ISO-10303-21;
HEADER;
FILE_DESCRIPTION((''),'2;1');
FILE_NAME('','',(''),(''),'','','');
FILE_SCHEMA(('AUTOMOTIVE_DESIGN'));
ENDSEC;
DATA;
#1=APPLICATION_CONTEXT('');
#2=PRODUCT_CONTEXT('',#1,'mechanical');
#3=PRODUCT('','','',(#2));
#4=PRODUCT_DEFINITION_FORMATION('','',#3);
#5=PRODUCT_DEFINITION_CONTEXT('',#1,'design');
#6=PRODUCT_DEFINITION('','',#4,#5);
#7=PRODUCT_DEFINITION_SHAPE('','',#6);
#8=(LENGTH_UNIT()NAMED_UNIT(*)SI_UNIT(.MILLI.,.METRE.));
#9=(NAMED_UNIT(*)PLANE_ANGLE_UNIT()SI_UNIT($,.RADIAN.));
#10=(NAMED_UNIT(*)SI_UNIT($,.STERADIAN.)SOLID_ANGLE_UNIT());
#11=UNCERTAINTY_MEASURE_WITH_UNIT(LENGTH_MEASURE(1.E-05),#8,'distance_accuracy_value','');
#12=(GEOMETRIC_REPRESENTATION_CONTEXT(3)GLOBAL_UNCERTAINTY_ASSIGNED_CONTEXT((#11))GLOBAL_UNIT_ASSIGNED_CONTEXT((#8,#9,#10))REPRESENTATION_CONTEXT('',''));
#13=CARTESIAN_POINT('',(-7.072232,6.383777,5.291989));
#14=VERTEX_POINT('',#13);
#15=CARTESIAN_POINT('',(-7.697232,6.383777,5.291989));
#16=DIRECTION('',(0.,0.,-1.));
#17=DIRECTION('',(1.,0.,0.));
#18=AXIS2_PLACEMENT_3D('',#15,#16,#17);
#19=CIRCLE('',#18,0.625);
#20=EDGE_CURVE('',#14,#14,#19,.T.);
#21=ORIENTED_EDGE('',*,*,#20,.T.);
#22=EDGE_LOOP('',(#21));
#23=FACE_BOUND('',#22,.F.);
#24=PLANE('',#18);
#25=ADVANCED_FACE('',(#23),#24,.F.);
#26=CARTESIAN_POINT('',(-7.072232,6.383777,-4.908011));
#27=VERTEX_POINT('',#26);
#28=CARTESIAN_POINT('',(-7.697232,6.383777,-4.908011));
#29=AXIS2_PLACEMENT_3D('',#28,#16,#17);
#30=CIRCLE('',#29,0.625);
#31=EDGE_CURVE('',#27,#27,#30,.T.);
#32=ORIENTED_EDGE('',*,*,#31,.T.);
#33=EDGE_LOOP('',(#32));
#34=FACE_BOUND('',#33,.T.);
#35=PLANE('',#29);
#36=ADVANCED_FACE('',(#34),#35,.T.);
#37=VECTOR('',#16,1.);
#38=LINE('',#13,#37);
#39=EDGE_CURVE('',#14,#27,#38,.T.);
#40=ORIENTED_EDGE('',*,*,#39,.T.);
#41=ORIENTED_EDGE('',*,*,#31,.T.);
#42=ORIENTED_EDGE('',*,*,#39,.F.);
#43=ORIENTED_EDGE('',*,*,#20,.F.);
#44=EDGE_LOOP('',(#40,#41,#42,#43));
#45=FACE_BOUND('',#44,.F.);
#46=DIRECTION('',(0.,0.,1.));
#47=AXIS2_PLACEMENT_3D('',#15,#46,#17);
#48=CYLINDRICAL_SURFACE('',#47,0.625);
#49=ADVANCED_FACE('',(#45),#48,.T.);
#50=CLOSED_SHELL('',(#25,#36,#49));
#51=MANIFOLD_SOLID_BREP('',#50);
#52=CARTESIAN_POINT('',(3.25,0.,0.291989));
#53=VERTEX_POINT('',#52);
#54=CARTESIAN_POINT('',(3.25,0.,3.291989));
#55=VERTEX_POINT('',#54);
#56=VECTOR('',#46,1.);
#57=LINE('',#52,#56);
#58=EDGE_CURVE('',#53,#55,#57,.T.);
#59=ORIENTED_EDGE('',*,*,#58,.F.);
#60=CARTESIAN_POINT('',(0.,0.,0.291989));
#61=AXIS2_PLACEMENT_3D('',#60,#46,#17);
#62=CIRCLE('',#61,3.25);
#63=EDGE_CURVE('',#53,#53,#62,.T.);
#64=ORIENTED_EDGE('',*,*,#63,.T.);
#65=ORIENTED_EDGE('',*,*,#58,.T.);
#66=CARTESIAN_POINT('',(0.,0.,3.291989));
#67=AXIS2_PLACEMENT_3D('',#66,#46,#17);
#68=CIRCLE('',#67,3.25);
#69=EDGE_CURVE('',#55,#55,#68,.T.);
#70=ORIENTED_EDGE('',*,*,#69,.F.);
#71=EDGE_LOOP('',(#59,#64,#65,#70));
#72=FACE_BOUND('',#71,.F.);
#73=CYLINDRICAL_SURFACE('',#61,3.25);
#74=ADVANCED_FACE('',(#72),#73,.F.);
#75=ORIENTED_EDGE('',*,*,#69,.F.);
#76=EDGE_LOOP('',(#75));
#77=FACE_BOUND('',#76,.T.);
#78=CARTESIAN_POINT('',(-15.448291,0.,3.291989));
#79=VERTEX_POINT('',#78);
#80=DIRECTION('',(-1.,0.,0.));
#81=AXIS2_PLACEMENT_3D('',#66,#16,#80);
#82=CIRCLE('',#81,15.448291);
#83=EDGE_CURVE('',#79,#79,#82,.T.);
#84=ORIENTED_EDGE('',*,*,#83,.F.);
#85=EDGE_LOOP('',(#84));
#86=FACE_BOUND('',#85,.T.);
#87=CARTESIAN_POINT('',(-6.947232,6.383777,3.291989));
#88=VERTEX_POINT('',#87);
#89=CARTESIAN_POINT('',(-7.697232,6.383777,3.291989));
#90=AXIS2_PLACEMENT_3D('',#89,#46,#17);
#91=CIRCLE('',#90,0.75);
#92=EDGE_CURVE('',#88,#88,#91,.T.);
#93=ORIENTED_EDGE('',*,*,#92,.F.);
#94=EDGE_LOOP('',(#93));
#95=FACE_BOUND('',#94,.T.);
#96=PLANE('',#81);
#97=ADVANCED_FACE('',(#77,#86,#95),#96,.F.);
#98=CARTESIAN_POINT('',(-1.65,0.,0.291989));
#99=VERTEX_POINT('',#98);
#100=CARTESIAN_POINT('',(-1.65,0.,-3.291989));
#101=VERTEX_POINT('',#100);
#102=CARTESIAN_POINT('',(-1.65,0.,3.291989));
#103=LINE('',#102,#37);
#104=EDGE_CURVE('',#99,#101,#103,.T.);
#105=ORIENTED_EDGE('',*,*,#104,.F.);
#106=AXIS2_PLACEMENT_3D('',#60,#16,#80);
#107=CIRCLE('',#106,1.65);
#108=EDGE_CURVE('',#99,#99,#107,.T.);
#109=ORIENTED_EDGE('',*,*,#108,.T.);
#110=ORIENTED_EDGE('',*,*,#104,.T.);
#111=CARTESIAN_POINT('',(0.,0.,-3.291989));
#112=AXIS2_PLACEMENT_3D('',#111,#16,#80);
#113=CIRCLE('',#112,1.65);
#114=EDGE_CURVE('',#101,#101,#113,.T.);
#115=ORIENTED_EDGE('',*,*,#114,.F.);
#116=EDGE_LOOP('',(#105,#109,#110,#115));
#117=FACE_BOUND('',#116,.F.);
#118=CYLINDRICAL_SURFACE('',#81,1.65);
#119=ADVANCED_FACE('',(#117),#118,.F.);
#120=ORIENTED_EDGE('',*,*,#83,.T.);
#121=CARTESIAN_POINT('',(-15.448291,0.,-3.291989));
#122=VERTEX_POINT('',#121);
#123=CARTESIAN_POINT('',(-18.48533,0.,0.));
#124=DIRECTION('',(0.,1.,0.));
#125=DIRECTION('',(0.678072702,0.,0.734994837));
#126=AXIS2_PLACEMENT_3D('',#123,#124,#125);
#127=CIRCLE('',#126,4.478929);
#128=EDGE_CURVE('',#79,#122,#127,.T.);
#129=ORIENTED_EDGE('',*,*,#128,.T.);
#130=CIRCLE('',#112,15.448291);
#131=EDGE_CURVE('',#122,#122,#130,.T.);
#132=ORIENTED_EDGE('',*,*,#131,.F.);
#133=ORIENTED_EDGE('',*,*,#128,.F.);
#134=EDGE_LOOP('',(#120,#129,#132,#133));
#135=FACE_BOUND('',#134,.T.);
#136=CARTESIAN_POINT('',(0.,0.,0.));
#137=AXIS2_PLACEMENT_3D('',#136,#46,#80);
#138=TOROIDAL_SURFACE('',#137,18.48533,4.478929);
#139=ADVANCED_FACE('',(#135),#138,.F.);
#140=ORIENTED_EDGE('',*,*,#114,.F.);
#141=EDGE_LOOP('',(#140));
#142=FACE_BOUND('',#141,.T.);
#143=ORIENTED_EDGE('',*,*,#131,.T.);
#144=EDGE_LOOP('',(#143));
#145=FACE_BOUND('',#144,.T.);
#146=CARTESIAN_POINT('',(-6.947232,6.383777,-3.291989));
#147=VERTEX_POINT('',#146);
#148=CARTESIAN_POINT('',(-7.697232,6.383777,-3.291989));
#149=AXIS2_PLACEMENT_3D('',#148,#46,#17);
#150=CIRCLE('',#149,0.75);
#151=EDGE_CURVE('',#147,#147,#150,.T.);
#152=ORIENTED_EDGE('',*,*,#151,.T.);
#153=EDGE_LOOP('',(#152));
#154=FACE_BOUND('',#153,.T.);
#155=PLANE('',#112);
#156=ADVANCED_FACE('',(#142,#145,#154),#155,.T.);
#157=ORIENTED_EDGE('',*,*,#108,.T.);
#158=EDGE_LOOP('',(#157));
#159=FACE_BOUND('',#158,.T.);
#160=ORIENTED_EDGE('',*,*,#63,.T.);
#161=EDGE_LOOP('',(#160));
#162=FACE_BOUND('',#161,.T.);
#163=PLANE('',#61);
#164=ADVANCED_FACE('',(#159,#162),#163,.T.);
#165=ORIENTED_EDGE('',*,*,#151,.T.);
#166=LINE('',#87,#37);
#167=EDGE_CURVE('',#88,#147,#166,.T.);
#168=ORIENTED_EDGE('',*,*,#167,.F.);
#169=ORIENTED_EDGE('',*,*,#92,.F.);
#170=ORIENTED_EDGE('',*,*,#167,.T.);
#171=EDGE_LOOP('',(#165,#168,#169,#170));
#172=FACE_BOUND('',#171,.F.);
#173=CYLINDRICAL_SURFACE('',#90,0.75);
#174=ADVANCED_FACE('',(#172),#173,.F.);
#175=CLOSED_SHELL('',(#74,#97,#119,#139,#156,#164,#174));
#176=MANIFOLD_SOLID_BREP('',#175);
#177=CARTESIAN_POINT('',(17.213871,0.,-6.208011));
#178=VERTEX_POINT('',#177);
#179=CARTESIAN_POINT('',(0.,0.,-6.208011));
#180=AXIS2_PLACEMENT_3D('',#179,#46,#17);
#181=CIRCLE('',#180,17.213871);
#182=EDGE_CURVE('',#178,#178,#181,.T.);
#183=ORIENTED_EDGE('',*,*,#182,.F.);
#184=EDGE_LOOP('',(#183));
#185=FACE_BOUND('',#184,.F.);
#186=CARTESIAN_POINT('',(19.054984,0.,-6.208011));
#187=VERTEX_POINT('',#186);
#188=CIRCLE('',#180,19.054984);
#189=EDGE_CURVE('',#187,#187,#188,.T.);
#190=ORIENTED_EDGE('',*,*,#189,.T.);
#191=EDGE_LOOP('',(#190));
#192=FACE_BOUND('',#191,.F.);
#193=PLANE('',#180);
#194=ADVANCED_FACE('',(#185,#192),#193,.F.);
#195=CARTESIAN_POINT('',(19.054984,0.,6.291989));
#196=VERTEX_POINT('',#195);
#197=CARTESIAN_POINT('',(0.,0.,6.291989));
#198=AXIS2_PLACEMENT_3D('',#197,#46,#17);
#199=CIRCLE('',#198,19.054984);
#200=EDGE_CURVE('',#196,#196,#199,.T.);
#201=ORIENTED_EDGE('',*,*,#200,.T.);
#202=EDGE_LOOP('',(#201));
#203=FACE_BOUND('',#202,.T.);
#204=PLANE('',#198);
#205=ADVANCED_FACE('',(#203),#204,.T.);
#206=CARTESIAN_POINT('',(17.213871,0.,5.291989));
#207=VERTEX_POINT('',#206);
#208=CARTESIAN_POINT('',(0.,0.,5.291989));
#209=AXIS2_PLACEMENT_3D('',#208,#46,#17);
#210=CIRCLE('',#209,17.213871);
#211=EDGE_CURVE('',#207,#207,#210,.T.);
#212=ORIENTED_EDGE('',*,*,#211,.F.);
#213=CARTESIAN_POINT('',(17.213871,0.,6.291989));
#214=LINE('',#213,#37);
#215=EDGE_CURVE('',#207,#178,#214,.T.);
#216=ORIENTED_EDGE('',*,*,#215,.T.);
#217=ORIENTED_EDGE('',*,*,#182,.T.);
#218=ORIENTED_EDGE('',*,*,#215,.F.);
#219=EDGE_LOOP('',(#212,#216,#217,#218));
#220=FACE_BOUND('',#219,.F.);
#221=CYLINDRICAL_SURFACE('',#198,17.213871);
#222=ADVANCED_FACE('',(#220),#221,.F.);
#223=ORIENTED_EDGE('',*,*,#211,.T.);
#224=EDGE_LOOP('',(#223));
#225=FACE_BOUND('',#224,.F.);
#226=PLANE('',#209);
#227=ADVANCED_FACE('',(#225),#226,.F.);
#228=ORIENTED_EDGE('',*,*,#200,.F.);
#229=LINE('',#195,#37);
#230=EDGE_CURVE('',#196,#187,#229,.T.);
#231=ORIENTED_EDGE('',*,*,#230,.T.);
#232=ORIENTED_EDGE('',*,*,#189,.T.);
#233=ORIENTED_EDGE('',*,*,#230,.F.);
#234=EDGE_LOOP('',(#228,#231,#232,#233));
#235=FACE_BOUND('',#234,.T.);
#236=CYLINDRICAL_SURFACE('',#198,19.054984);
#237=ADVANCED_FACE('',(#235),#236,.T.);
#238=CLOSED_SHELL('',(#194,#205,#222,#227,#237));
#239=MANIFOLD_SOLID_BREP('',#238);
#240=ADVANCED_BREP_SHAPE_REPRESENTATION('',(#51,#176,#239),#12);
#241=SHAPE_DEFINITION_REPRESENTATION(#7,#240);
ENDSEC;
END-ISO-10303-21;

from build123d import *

# Parameters (mm, degrees)
F4_D           = 3.3
F4_CBORE_D     = 6.5
F4_CBORE_DEPTH = 3
F3_R           = 0.75
F5_DEPTH       = 25
F7_R           = 19.0549841128
F7_R_2         = 17.2138714766
F8_DEPTH       = 12.5
F9_DEPTH       = 1
F11_R          = 0.625
F12_DEPTH      = 10.2


with BuildPart() as f1:
    # F0 (on Front) → F1 (revolve)
    with BuildSketch(Plane.XZ):
        with BuildLine():
            ThreePointArc((-15.4482908223, 3.2919894022), (-14.0064014383, 0), (-15.4482908223, -3.2919894022))
            Line((-15.4482908223, -3.2919894022), (0, -3.2919894022))
            Line((0, -3.2919894022), (0, 3.2919894022))
            Line((0, 3.2919894022), (-15.4482908223, 3.2919894022))
        make_face()
    revolve(axis=Axis((0, 0, 0), (0, 0, -1)))

    # F4 (through all)
    with Locations(Plane.XY.offset(3.2919894022)):
        with Locations((0, 0)):
            CounterBoreHole(F4_D / 2, F4_CBORE_D / 2, F4_CBORE_DEPTH)

    # F3 (on offset) → F5 (cut)
    with BuildSketch(Plane.XY.offset(3.2919894022)):
        with Locations((-7.6972323188, 6.3837774578)):
            Circle(F3_R)
    extrude(amount=-F5_DEPTH, mode=Mode.SUBTRACT)


with BuildPart() as f8:
    # F7 (on offset) → F8 (new body)
    with BuildSketch(Plane.XY.offset(6.2919894022)):
        Circle(F7_R)
        Circle(F7_R_2, mode=Mode.SUBTRACT)
    extrude(amount=-F8_DEPTH)

    # F7 (on offset) → F9 (join)
    with BuildSketch(Plane.XY.offset(6.2919894022)):
        Circle(F7_R_2)
    extrude(amount=-F9_DEPTH)


with BuildPart() as f12:
    # F11 (on offset) → F12 (new body)
    with BuildSketch(Plane(origin=(0, 0, 5.2919894022), x_dir=(1, 0, 0), z_dir=(0, 0, -1))):
        with Locations((-7.6972323188, -6.3837774578)):
            Circle(F11_R)
    extrude(amount=F12_DEPTH)


solid = Compound([f1.part, f8.part, f12.part])
